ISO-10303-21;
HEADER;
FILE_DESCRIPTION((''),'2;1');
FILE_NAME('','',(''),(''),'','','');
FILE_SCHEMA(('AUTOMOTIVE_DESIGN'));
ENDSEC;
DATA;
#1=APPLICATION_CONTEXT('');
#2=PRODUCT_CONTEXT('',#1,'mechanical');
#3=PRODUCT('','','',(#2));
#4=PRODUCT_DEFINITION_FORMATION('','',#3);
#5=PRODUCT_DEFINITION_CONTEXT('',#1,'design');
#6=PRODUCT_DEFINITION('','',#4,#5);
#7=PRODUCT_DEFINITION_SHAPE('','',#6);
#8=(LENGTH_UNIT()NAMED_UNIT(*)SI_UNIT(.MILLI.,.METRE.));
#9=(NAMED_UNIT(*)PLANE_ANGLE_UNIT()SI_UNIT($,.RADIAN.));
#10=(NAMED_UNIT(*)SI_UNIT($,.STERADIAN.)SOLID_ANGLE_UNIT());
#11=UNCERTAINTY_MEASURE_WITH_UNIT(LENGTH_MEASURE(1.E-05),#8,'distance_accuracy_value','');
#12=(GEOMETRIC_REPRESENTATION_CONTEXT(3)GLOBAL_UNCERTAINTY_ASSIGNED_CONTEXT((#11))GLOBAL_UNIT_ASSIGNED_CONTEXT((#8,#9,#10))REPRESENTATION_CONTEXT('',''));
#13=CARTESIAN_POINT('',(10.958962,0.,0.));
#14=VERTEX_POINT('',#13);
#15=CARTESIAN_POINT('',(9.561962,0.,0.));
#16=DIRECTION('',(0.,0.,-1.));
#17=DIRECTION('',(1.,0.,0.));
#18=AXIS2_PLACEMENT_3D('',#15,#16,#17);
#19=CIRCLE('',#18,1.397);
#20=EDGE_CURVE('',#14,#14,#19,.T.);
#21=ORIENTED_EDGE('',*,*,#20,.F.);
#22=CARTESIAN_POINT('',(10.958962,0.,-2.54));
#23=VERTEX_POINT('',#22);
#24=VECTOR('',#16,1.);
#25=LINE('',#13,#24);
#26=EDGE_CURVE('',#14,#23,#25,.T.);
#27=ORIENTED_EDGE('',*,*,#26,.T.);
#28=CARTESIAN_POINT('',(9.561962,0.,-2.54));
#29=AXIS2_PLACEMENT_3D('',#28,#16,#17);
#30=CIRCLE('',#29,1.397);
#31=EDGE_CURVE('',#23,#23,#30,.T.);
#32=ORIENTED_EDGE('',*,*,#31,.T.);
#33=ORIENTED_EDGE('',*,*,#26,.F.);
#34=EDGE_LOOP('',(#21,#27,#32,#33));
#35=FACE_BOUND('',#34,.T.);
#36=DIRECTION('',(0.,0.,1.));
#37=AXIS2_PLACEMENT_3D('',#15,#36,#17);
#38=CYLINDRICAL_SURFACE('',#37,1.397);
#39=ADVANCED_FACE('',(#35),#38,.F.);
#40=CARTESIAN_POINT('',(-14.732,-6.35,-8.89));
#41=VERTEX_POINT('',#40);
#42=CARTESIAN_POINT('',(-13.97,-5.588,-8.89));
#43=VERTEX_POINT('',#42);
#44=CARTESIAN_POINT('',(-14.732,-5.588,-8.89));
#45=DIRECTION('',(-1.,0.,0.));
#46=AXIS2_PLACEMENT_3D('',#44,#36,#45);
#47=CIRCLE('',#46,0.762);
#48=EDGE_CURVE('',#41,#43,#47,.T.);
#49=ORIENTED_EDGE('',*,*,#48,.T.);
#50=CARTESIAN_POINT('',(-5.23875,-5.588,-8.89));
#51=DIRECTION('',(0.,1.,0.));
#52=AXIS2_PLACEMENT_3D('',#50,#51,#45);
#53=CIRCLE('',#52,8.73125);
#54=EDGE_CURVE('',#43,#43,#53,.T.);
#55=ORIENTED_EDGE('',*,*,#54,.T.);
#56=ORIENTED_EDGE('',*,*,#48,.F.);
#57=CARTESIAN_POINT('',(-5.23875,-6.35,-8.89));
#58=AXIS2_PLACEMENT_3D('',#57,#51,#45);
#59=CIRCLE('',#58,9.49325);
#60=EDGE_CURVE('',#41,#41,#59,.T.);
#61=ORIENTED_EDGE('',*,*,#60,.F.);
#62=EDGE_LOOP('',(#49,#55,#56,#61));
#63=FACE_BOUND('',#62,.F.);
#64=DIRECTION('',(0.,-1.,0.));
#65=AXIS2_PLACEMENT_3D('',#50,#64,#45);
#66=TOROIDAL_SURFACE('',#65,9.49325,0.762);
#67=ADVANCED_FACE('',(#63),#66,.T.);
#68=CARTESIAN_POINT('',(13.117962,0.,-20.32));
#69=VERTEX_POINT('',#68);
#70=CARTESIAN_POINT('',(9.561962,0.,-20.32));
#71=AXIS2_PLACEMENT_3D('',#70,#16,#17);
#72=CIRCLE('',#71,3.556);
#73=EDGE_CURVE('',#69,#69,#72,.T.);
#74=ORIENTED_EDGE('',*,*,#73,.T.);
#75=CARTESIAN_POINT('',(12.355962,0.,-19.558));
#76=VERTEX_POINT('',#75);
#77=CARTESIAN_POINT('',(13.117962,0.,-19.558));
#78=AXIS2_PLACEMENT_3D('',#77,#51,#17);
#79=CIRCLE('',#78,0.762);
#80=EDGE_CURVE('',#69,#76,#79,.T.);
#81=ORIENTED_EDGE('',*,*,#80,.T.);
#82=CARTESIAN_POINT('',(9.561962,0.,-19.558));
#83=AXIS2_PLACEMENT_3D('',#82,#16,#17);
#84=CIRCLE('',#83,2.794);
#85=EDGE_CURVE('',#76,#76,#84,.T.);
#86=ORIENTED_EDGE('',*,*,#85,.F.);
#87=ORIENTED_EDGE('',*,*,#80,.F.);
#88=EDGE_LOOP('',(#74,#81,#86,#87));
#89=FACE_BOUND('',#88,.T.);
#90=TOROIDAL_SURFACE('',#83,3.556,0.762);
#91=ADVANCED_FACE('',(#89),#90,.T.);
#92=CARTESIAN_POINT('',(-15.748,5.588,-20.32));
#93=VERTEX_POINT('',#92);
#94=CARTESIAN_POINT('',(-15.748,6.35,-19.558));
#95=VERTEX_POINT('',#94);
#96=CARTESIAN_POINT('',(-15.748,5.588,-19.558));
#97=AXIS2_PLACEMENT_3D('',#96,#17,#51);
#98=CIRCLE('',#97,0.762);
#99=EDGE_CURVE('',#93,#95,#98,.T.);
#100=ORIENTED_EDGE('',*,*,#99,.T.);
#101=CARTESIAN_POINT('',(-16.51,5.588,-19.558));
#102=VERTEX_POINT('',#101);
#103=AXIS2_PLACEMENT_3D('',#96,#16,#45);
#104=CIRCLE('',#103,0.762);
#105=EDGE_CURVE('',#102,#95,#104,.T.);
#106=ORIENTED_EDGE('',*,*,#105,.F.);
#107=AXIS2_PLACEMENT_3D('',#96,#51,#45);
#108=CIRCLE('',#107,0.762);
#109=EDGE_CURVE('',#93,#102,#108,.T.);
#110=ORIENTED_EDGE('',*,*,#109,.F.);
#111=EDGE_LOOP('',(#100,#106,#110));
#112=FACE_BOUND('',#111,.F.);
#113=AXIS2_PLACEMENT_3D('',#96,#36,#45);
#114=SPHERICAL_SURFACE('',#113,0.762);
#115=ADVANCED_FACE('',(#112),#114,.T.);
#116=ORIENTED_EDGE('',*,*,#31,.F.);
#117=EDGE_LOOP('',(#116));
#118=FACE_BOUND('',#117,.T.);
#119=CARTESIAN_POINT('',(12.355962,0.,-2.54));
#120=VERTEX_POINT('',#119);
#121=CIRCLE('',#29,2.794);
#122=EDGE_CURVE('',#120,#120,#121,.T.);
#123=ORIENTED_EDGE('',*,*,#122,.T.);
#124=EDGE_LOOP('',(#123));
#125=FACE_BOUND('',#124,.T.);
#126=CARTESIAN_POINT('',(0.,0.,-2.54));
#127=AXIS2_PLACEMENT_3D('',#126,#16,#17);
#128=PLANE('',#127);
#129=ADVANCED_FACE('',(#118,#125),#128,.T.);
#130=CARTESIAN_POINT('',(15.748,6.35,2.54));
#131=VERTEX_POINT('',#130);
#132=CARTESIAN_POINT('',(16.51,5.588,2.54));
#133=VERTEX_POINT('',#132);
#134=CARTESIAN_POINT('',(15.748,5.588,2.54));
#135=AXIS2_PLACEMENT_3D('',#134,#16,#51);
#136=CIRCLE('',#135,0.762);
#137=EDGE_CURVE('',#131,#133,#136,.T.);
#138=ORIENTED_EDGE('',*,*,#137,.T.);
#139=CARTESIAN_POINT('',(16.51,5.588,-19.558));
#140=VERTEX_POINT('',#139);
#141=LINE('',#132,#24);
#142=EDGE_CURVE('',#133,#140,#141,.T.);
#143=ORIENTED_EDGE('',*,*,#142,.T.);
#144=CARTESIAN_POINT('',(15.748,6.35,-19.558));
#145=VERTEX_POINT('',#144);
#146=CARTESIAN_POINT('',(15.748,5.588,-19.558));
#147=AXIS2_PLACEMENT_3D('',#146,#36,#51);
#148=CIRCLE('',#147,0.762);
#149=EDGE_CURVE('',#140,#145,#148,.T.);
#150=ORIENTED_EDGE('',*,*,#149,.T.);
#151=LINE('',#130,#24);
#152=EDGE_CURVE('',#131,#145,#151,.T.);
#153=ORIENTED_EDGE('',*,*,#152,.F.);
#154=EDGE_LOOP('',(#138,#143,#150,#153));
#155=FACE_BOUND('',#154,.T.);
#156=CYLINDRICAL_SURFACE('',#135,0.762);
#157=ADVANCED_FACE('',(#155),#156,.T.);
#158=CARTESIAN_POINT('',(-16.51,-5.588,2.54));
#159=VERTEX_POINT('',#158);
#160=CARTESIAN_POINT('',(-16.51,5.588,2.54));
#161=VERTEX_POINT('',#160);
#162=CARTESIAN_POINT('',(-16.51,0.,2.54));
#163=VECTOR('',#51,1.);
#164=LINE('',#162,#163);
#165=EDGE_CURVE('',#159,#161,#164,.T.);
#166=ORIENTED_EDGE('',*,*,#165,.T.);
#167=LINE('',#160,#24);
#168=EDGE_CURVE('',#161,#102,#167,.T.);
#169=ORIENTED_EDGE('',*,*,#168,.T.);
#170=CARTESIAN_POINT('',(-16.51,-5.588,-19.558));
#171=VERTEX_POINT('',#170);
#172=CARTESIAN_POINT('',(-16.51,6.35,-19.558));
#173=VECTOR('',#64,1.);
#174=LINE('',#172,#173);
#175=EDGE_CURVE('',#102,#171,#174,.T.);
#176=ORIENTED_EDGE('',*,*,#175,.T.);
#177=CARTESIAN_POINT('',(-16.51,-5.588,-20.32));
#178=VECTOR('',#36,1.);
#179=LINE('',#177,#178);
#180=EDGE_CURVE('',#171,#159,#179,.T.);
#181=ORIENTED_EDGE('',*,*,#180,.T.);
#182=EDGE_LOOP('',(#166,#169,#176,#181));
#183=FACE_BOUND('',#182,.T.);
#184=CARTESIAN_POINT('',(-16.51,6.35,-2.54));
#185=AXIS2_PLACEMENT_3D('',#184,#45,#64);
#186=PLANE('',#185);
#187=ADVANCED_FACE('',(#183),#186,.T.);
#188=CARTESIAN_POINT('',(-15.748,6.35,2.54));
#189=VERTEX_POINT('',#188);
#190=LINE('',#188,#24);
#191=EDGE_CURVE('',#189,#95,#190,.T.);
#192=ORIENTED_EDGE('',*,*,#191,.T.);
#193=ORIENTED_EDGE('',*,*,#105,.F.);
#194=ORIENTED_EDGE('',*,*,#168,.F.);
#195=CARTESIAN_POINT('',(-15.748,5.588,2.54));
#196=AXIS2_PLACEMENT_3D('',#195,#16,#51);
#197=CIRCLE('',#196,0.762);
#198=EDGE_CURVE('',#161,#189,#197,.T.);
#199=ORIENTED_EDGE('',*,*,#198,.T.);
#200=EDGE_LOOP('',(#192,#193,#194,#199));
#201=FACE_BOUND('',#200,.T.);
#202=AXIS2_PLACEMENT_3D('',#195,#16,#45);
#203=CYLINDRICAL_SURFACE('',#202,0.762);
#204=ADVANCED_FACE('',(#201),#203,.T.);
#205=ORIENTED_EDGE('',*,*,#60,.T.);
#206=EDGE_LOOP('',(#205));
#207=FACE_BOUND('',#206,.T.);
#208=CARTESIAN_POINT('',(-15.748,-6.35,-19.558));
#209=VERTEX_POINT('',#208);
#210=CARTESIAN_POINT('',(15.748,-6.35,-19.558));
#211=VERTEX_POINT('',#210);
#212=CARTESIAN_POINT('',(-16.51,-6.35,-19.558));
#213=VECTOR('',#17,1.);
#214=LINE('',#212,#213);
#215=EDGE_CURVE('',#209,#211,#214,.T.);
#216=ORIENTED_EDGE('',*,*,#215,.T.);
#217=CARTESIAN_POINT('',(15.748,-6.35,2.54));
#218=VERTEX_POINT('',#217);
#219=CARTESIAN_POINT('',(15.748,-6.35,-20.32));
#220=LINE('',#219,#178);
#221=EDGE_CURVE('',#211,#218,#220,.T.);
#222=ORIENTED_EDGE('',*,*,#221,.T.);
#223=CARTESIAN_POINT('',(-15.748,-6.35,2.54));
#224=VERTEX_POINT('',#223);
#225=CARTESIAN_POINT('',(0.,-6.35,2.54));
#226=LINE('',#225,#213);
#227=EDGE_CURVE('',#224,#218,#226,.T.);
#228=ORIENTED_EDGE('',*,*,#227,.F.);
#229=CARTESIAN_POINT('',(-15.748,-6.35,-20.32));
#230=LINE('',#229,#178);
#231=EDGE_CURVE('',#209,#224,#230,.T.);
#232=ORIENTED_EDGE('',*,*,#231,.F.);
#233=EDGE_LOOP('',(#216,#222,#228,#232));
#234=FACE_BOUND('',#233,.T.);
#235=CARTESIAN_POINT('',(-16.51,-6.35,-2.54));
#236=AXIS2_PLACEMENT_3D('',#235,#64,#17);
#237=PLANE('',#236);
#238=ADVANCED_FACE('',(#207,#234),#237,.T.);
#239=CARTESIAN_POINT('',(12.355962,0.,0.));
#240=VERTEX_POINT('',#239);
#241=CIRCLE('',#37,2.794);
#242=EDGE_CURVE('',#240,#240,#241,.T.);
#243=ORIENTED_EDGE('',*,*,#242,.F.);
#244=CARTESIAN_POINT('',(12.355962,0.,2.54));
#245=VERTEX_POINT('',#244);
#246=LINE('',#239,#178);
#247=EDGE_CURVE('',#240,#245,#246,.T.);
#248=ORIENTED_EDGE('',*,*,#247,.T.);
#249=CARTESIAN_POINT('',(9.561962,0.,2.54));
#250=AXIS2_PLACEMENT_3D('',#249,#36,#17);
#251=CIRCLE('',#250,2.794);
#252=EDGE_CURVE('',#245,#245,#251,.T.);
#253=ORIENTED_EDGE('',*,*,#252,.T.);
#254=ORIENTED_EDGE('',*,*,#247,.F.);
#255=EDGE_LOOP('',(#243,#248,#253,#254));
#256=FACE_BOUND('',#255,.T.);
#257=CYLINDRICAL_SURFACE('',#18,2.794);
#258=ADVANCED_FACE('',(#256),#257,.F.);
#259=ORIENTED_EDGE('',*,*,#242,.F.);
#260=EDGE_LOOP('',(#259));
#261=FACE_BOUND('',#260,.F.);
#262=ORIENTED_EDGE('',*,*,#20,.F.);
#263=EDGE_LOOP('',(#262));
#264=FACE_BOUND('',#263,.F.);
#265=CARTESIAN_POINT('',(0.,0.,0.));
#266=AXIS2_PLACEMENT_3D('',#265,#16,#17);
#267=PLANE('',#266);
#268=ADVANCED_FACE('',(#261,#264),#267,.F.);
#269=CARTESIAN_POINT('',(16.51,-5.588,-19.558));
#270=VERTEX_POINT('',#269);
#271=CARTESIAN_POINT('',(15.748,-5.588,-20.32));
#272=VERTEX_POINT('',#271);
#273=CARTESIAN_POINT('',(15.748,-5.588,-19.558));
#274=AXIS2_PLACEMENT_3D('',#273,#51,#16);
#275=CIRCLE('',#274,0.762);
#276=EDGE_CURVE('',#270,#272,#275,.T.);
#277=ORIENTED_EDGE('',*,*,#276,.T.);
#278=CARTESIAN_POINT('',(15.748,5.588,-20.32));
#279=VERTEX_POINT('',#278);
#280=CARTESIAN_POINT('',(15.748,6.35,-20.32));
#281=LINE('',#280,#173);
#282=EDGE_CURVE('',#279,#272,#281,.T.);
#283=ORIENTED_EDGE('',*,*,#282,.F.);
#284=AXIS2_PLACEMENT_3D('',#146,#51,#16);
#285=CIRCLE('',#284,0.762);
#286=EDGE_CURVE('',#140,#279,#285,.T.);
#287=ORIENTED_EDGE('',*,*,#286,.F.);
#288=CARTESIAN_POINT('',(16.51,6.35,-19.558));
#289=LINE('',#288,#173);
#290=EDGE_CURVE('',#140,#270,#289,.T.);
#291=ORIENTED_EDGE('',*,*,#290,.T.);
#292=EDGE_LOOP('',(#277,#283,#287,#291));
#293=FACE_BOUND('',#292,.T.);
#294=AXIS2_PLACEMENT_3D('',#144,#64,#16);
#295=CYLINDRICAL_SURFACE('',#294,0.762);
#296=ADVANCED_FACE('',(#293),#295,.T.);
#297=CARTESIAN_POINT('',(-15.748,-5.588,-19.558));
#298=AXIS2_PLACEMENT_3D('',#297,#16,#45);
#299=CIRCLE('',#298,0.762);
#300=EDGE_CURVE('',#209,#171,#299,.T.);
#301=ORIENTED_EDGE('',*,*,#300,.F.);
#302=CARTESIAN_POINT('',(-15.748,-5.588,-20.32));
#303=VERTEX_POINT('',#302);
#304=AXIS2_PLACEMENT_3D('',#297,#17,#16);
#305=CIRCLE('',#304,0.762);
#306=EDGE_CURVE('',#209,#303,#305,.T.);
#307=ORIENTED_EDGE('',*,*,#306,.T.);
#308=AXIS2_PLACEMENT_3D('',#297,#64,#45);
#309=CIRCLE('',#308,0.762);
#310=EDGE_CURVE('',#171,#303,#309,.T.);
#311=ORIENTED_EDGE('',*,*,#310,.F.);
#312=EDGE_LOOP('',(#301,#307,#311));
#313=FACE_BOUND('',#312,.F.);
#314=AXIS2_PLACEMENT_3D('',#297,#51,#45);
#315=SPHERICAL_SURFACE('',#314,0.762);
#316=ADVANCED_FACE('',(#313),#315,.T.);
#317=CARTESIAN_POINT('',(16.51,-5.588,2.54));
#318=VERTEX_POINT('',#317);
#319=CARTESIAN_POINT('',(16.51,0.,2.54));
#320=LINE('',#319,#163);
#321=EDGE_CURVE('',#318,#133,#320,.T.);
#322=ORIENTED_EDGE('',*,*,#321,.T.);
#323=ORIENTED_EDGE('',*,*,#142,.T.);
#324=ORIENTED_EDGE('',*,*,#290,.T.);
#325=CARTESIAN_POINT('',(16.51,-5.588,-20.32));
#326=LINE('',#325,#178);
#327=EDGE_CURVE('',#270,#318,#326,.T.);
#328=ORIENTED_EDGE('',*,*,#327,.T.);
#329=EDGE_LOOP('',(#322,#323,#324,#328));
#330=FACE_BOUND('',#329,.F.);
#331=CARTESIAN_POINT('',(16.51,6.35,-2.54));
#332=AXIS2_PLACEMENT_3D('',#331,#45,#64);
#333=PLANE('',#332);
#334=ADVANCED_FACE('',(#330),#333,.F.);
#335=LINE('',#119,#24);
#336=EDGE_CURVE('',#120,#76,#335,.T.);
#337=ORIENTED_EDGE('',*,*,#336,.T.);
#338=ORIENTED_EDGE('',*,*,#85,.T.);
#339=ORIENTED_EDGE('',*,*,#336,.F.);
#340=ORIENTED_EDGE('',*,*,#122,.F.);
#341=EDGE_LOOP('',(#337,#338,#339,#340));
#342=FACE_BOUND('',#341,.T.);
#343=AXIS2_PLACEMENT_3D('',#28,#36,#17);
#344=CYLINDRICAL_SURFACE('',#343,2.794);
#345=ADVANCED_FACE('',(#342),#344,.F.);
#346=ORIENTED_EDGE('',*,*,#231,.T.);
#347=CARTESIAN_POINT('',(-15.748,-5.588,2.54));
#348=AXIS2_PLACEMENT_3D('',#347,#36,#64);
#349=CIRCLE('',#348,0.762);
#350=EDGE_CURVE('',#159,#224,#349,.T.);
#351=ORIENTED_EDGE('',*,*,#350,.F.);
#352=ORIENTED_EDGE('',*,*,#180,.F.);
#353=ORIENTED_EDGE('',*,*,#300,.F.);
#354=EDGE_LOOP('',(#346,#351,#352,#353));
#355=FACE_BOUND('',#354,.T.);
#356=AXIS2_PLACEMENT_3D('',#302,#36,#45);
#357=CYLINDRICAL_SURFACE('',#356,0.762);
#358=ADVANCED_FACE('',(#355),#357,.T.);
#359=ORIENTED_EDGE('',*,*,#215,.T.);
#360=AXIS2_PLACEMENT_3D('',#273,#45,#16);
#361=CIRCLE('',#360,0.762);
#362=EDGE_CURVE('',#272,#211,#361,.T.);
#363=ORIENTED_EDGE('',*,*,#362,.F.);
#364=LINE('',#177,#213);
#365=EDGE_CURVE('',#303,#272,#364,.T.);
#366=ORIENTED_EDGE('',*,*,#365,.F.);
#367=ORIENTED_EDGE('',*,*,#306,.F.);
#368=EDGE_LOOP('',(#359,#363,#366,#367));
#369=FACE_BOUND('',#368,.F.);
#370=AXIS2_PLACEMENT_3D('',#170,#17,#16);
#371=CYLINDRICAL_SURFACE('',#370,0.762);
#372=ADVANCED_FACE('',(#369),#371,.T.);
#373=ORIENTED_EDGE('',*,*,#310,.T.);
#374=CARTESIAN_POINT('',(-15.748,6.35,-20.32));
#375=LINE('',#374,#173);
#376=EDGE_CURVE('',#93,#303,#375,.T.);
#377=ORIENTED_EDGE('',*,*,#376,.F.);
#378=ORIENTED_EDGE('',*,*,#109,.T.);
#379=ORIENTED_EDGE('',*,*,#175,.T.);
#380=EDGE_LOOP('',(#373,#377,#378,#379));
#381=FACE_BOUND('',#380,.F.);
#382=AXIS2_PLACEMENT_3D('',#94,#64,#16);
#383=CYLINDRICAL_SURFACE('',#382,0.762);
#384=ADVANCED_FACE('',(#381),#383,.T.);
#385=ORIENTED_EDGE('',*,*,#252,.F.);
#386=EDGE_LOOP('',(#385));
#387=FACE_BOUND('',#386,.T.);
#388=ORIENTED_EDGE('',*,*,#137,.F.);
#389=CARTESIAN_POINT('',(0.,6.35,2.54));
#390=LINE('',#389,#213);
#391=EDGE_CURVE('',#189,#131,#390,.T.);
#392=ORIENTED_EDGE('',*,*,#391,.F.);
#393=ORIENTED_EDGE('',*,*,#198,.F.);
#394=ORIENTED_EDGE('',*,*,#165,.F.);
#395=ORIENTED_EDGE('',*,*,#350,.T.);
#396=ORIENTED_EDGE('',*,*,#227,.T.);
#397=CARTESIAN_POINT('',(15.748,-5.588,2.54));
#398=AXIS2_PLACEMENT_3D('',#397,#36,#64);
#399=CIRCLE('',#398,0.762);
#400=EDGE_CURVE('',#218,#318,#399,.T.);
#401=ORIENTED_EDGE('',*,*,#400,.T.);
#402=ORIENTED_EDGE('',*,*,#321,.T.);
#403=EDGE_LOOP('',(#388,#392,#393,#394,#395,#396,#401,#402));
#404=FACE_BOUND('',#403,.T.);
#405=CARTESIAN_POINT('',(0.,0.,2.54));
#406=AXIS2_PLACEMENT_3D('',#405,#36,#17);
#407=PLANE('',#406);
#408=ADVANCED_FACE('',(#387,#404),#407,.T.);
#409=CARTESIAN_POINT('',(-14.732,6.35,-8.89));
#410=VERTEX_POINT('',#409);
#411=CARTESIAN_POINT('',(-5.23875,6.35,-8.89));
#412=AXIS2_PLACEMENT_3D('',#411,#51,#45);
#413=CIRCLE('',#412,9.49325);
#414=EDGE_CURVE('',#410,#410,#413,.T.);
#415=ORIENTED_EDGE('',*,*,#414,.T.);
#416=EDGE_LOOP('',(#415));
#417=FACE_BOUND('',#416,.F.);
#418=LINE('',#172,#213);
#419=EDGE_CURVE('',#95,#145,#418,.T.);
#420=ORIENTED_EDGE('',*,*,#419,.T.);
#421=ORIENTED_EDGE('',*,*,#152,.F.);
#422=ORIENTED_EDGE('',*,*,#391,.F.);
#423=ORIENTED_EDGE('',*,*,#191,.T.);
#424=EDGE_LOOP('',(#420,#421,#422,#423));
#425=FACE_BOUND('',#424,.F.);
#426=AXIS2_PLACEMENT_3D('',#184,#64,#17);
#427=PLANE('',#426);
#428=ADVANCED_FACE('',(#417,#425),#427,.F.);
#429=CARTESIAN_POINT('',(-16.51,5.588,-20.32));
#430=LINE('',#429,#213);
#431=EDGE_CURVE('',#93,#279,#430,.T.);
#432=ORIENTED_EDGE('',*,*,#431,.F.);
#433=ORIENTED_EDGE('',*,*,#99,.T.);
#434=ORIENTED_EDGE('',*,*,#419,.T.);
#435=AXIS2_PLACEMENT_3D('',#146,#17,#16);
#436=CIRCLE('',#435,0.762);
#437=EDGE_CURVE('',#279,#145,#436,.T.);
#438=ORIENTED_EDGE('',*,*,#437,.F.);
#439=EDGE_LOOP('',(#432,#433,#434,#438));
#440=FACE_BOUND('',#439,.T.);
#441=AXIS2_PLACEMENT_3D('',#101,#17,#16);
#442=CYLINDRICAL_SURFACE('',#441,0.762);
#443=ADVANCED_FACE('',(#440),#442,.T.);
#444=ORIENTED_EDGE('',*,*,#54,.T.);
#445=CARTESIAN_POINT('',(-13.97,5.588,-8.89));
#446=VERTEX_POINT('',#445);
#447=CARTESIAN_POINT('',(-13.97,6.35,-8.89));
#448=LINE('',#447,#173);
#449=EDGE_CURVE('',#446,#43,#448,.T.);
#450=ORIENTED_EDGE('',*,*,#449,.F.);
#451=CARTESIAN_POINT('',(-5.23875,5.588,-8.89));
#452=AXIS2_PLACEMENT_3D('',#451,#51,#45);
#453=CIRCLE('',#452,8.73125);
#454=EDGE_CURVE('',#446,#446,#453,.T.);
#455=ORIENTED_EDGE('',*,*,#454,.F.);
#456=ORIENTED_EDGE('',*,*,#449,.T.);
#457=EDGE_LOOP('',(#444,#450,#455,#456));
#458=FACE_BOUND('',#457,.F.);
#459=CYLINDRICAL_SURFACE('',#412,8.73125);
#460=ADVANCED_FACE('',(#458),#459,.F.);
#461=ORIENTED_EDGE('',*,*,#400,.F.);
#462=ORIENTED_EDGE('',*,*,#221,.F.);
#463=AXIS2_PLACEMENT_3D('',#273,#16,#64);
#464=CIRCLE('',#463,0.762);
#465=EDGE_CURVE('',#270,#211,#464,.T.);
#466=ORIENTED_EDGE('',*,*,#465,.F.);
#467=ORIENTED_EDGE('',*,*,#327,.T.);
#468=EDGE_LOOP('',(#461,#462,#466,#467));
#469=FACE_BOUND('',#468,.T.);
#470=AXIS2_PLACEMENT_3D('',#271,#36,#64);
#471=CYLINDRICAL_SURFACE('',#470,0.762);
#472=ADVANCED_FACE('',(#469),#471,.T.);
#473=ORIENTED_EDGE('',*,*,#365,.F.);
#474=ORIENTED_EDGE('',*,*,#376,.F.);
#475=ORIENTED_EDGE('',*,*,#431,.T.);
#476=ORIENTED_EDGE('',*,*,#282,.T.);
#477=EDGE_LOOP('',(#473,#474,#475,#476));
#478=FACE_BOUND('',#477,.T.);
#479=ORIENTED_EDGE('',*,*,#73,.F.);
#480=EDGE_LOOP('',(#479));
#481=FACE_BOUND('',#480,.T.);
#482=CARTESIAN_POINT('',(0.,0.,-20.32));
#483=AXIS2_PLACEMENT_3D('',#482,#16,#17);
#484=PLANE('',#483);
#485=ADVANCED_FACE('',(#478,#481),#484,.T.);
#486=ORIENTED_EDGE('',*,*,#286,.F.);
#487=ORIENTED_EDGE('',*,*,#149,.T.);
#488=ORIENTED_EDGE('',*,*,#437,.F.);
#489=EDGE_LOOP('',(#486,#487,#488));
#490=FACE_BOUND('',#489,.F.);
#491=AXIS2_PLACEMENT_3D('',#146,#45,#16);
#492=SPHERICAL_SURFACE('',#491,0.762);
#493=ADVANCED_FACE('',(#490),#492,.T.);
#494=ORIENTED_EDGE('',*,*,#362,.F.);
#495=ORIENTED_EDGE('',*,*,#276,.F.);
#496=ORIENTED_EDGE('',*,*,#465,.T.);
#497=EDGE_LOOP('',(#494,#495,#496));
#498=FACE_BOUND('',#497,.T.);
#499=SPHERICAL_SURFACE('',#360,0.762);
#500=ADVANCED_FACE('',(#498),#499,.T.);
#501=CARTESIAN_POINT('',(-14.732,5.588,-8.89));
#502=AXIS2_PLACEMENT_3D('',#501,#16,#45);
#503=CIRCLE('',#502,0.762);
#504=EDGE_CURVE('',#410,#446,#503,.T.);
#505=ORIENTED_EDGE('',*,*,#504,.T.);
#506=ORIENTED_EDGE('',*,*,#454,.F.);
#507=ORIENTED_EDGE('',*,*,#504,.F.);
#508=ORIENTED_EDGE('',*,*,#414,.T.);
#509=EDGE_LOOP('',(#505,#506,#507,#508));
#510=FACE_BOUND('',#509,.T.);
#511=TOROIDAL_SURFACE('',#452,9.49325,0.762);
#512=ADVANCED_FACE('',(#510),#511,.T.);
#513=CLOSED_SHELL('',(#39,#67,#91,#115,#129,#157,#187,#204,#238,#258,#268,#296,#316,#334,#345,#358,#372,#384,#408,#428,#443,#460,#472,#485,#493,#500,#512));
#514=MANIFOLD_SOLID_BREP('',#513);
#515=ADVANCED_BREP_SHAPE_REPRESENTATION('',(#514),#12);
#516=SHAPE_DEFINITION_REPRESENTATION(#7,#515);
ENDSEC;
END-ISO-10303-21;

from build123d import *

# Parameters (mm, degrees)
F0_W     = 33.02
F0_H     = 12.7
F0_R     = 2.794
F1_DEPTH = 2.54
F2_W     = 33.02
F2_H     = 12.7
F2_R     = 1.397
F3_DEPTH = 2.54
F4_W     = 33.02
F4_H     = 12.7
F4_R     = 2.794
F5_DEPTH = 17.78
F6_R     = 8.73125
F7_DEPTH = 12.701
F8_R     = 0.762
F9_R     = 0.762
F10_R    = 0.762


with BuildPart() as f1:
    # F0 (on Top) → F1 (new body)
    with BuildSketch(Plane.XY):
        Rectangle(F0_W, F0_H)
        with Locations((9.561962, 0)):
            Circle(F0_R, mode=Mode.SUBTRACT)
    extrude(amount=F1_DEPTH)

    # F2 (on face) → F3 (join)
    with BuildSketch(Plane(origin=(0, 0, 0), x_dir=(1, 0, 0), z_dir=(0, 0, -1))):
        Rectangle(F2_W, F2_H)
        with Locations((9.561962, 0)):
            Circle(F2_R, mode=Mode.SUBTRACT)
    extrude(amount=F3_DEPTH)

    # F4 (on face) → F5 (join)
    with BuildSketch(Plane(origin=(0, 0, -2.54), x_dir=(1, 0, 0), z_dir=(0, 0, -1))):
        Rectangle(F4_W, F4_H)
        with Locations((9.561962, 0)):
            Circle(F4_R, mode=Mode.SUBTRACT)
    extrude(amount=F5_DEPTH)

    # F6 (on face) → F7 (cut, through all)
    with BuildSketch(Plane(origin=(0, 6.35, 0), x_dir=(-1, 0, 0), z_dir=(0, 1, 0))):
        with Locations((5.23875, -8.89)):
            Circle(F6_R)
    extrude(amount=-F7_DEPTH, mode=Mode.SUBTRACT)

    # F8
    f8_edges = [f1.edges().sort_by_distance(p)[0] for p in [
        (3.4925, -6.35, -8.89),
        (3.4925, 6.35, -8.89),
    ]]
    fillet(f8_edges, radius=F8_R)

    # F9
    f9_edges = [f1.edges().sort_by_distance(p)[0] for p in [
        (6.767962, 0, -20.32),
    ]]
    fillet(f9_edges, radius=F9_R)

    # F10
    f10_edges = [f1.edges().sort_by_distance(p)[0] for p in [
        (-16.51, 6.35, -8.89),
        (-16.51, 0, -20.32),
        (-16.51, -6.35, -8.89),
        (0, -6.35, -20.32),
        (0, 6.35, -20.32),
        (16.51, 0, -20.32),
        (16.51, 6.35, -8.89),
        (16.51, -6.35, -8.89),
    ]]
    fillet(f10_edges, radius=F10_R)


solid = f1.part
